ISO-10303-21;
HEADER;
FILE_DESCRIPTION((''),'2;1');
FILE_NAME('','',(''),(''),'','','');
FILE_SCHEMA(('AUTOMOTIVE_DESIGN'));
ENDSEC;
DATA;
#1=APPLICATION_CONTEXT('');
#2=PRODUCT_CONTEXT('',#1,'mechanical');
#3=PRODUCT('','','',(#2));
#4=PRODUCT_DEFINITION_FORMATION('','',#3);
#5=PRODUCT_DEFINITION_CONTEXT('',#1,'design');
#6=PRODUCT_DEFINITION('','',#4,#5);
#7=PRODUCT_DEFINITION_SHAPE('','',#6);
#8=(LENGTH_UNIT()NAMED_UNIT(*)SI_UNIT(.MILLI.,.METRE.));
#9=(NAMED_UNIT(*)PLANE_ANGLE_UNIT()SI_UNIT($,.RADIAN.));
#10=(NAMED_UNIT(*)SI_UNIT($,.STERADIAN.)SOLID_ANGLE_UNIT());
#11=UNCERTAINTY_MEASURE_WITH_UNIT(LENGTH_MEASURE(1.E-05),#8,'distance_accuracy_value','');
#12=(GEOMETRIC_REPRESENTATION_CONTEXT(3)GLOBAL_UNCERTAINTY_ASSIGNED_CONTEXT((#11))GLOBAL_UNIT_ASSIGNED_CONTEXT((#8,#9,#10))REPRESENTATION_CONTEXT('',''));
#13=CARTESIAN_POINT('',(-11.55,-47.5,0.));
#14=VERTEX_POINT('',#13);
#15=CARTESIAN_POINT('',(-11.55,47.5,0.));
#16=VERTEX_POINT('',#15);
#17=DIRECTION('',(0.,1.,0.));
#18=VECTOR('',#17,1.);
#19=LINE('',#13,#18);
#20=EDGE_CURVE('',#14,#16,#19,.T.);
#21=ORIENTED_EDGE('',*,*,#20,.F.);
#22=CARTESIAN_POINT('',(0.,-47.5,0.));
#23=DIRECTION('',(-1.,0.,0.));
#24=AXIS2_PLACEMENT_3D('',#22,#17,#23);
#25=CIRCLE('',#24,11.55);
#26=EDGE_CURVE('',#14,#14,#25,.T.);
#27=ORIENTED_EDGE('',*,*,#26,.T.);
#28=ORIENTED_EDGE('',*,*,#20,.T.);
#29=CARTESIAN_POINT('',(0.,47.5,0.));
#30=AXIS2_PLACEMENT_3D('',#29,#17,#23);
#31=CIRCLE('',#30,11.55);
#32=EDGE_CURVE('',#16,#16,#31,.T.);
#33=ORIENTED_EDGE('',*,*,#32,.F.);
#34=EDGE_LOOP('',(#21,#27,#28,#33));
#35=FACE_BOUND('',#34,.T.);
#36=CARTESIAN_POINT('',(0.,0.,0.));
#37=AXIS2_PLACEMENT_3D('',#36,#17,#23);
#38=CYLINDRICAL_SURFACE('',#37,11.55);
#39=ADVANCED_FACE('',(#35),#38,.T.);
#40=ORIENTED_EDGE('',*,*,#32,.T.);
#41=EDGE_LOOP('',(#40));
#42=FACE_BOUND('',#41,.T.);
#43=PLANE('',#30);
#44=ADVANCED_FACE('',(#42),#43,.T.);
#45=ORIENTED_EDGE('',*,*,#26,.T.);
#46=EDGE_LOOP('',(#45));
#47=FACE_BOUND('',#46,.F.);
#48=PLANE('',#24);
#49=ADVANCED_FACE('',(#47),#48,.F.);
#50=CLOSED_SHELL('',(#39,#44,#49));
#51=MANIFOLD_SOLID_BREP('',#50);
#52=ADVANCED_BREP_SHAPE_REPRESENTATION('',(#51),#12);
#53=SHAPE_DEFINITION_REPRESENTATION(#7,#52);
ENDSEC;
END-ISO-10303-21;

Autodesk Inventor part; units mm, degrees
ref_plane "YZ Plane" through (0, 0, 0) normal (1, 0, 0) x (0, 1, 0)
ref_plane "XZ Plane" through (0, 0, 0) normal (0, 1, 0) x (-1, 0, 0)
ref_plane "XY Plane" through (0, 0, 0) normal (0, 0, 1) x (1, 0, 0)
sketch "Sketch1" plane through (0, 0, 0) normal (0, 1, 0) x (-1, 0, 0)
  circle A0 centre (0, 0) radius 11.55
  dimension "d0" = 23.1
extrude "Extrusion1" add sketch "Sketch1" against normal mid plane 95
properties part number "Battery"
